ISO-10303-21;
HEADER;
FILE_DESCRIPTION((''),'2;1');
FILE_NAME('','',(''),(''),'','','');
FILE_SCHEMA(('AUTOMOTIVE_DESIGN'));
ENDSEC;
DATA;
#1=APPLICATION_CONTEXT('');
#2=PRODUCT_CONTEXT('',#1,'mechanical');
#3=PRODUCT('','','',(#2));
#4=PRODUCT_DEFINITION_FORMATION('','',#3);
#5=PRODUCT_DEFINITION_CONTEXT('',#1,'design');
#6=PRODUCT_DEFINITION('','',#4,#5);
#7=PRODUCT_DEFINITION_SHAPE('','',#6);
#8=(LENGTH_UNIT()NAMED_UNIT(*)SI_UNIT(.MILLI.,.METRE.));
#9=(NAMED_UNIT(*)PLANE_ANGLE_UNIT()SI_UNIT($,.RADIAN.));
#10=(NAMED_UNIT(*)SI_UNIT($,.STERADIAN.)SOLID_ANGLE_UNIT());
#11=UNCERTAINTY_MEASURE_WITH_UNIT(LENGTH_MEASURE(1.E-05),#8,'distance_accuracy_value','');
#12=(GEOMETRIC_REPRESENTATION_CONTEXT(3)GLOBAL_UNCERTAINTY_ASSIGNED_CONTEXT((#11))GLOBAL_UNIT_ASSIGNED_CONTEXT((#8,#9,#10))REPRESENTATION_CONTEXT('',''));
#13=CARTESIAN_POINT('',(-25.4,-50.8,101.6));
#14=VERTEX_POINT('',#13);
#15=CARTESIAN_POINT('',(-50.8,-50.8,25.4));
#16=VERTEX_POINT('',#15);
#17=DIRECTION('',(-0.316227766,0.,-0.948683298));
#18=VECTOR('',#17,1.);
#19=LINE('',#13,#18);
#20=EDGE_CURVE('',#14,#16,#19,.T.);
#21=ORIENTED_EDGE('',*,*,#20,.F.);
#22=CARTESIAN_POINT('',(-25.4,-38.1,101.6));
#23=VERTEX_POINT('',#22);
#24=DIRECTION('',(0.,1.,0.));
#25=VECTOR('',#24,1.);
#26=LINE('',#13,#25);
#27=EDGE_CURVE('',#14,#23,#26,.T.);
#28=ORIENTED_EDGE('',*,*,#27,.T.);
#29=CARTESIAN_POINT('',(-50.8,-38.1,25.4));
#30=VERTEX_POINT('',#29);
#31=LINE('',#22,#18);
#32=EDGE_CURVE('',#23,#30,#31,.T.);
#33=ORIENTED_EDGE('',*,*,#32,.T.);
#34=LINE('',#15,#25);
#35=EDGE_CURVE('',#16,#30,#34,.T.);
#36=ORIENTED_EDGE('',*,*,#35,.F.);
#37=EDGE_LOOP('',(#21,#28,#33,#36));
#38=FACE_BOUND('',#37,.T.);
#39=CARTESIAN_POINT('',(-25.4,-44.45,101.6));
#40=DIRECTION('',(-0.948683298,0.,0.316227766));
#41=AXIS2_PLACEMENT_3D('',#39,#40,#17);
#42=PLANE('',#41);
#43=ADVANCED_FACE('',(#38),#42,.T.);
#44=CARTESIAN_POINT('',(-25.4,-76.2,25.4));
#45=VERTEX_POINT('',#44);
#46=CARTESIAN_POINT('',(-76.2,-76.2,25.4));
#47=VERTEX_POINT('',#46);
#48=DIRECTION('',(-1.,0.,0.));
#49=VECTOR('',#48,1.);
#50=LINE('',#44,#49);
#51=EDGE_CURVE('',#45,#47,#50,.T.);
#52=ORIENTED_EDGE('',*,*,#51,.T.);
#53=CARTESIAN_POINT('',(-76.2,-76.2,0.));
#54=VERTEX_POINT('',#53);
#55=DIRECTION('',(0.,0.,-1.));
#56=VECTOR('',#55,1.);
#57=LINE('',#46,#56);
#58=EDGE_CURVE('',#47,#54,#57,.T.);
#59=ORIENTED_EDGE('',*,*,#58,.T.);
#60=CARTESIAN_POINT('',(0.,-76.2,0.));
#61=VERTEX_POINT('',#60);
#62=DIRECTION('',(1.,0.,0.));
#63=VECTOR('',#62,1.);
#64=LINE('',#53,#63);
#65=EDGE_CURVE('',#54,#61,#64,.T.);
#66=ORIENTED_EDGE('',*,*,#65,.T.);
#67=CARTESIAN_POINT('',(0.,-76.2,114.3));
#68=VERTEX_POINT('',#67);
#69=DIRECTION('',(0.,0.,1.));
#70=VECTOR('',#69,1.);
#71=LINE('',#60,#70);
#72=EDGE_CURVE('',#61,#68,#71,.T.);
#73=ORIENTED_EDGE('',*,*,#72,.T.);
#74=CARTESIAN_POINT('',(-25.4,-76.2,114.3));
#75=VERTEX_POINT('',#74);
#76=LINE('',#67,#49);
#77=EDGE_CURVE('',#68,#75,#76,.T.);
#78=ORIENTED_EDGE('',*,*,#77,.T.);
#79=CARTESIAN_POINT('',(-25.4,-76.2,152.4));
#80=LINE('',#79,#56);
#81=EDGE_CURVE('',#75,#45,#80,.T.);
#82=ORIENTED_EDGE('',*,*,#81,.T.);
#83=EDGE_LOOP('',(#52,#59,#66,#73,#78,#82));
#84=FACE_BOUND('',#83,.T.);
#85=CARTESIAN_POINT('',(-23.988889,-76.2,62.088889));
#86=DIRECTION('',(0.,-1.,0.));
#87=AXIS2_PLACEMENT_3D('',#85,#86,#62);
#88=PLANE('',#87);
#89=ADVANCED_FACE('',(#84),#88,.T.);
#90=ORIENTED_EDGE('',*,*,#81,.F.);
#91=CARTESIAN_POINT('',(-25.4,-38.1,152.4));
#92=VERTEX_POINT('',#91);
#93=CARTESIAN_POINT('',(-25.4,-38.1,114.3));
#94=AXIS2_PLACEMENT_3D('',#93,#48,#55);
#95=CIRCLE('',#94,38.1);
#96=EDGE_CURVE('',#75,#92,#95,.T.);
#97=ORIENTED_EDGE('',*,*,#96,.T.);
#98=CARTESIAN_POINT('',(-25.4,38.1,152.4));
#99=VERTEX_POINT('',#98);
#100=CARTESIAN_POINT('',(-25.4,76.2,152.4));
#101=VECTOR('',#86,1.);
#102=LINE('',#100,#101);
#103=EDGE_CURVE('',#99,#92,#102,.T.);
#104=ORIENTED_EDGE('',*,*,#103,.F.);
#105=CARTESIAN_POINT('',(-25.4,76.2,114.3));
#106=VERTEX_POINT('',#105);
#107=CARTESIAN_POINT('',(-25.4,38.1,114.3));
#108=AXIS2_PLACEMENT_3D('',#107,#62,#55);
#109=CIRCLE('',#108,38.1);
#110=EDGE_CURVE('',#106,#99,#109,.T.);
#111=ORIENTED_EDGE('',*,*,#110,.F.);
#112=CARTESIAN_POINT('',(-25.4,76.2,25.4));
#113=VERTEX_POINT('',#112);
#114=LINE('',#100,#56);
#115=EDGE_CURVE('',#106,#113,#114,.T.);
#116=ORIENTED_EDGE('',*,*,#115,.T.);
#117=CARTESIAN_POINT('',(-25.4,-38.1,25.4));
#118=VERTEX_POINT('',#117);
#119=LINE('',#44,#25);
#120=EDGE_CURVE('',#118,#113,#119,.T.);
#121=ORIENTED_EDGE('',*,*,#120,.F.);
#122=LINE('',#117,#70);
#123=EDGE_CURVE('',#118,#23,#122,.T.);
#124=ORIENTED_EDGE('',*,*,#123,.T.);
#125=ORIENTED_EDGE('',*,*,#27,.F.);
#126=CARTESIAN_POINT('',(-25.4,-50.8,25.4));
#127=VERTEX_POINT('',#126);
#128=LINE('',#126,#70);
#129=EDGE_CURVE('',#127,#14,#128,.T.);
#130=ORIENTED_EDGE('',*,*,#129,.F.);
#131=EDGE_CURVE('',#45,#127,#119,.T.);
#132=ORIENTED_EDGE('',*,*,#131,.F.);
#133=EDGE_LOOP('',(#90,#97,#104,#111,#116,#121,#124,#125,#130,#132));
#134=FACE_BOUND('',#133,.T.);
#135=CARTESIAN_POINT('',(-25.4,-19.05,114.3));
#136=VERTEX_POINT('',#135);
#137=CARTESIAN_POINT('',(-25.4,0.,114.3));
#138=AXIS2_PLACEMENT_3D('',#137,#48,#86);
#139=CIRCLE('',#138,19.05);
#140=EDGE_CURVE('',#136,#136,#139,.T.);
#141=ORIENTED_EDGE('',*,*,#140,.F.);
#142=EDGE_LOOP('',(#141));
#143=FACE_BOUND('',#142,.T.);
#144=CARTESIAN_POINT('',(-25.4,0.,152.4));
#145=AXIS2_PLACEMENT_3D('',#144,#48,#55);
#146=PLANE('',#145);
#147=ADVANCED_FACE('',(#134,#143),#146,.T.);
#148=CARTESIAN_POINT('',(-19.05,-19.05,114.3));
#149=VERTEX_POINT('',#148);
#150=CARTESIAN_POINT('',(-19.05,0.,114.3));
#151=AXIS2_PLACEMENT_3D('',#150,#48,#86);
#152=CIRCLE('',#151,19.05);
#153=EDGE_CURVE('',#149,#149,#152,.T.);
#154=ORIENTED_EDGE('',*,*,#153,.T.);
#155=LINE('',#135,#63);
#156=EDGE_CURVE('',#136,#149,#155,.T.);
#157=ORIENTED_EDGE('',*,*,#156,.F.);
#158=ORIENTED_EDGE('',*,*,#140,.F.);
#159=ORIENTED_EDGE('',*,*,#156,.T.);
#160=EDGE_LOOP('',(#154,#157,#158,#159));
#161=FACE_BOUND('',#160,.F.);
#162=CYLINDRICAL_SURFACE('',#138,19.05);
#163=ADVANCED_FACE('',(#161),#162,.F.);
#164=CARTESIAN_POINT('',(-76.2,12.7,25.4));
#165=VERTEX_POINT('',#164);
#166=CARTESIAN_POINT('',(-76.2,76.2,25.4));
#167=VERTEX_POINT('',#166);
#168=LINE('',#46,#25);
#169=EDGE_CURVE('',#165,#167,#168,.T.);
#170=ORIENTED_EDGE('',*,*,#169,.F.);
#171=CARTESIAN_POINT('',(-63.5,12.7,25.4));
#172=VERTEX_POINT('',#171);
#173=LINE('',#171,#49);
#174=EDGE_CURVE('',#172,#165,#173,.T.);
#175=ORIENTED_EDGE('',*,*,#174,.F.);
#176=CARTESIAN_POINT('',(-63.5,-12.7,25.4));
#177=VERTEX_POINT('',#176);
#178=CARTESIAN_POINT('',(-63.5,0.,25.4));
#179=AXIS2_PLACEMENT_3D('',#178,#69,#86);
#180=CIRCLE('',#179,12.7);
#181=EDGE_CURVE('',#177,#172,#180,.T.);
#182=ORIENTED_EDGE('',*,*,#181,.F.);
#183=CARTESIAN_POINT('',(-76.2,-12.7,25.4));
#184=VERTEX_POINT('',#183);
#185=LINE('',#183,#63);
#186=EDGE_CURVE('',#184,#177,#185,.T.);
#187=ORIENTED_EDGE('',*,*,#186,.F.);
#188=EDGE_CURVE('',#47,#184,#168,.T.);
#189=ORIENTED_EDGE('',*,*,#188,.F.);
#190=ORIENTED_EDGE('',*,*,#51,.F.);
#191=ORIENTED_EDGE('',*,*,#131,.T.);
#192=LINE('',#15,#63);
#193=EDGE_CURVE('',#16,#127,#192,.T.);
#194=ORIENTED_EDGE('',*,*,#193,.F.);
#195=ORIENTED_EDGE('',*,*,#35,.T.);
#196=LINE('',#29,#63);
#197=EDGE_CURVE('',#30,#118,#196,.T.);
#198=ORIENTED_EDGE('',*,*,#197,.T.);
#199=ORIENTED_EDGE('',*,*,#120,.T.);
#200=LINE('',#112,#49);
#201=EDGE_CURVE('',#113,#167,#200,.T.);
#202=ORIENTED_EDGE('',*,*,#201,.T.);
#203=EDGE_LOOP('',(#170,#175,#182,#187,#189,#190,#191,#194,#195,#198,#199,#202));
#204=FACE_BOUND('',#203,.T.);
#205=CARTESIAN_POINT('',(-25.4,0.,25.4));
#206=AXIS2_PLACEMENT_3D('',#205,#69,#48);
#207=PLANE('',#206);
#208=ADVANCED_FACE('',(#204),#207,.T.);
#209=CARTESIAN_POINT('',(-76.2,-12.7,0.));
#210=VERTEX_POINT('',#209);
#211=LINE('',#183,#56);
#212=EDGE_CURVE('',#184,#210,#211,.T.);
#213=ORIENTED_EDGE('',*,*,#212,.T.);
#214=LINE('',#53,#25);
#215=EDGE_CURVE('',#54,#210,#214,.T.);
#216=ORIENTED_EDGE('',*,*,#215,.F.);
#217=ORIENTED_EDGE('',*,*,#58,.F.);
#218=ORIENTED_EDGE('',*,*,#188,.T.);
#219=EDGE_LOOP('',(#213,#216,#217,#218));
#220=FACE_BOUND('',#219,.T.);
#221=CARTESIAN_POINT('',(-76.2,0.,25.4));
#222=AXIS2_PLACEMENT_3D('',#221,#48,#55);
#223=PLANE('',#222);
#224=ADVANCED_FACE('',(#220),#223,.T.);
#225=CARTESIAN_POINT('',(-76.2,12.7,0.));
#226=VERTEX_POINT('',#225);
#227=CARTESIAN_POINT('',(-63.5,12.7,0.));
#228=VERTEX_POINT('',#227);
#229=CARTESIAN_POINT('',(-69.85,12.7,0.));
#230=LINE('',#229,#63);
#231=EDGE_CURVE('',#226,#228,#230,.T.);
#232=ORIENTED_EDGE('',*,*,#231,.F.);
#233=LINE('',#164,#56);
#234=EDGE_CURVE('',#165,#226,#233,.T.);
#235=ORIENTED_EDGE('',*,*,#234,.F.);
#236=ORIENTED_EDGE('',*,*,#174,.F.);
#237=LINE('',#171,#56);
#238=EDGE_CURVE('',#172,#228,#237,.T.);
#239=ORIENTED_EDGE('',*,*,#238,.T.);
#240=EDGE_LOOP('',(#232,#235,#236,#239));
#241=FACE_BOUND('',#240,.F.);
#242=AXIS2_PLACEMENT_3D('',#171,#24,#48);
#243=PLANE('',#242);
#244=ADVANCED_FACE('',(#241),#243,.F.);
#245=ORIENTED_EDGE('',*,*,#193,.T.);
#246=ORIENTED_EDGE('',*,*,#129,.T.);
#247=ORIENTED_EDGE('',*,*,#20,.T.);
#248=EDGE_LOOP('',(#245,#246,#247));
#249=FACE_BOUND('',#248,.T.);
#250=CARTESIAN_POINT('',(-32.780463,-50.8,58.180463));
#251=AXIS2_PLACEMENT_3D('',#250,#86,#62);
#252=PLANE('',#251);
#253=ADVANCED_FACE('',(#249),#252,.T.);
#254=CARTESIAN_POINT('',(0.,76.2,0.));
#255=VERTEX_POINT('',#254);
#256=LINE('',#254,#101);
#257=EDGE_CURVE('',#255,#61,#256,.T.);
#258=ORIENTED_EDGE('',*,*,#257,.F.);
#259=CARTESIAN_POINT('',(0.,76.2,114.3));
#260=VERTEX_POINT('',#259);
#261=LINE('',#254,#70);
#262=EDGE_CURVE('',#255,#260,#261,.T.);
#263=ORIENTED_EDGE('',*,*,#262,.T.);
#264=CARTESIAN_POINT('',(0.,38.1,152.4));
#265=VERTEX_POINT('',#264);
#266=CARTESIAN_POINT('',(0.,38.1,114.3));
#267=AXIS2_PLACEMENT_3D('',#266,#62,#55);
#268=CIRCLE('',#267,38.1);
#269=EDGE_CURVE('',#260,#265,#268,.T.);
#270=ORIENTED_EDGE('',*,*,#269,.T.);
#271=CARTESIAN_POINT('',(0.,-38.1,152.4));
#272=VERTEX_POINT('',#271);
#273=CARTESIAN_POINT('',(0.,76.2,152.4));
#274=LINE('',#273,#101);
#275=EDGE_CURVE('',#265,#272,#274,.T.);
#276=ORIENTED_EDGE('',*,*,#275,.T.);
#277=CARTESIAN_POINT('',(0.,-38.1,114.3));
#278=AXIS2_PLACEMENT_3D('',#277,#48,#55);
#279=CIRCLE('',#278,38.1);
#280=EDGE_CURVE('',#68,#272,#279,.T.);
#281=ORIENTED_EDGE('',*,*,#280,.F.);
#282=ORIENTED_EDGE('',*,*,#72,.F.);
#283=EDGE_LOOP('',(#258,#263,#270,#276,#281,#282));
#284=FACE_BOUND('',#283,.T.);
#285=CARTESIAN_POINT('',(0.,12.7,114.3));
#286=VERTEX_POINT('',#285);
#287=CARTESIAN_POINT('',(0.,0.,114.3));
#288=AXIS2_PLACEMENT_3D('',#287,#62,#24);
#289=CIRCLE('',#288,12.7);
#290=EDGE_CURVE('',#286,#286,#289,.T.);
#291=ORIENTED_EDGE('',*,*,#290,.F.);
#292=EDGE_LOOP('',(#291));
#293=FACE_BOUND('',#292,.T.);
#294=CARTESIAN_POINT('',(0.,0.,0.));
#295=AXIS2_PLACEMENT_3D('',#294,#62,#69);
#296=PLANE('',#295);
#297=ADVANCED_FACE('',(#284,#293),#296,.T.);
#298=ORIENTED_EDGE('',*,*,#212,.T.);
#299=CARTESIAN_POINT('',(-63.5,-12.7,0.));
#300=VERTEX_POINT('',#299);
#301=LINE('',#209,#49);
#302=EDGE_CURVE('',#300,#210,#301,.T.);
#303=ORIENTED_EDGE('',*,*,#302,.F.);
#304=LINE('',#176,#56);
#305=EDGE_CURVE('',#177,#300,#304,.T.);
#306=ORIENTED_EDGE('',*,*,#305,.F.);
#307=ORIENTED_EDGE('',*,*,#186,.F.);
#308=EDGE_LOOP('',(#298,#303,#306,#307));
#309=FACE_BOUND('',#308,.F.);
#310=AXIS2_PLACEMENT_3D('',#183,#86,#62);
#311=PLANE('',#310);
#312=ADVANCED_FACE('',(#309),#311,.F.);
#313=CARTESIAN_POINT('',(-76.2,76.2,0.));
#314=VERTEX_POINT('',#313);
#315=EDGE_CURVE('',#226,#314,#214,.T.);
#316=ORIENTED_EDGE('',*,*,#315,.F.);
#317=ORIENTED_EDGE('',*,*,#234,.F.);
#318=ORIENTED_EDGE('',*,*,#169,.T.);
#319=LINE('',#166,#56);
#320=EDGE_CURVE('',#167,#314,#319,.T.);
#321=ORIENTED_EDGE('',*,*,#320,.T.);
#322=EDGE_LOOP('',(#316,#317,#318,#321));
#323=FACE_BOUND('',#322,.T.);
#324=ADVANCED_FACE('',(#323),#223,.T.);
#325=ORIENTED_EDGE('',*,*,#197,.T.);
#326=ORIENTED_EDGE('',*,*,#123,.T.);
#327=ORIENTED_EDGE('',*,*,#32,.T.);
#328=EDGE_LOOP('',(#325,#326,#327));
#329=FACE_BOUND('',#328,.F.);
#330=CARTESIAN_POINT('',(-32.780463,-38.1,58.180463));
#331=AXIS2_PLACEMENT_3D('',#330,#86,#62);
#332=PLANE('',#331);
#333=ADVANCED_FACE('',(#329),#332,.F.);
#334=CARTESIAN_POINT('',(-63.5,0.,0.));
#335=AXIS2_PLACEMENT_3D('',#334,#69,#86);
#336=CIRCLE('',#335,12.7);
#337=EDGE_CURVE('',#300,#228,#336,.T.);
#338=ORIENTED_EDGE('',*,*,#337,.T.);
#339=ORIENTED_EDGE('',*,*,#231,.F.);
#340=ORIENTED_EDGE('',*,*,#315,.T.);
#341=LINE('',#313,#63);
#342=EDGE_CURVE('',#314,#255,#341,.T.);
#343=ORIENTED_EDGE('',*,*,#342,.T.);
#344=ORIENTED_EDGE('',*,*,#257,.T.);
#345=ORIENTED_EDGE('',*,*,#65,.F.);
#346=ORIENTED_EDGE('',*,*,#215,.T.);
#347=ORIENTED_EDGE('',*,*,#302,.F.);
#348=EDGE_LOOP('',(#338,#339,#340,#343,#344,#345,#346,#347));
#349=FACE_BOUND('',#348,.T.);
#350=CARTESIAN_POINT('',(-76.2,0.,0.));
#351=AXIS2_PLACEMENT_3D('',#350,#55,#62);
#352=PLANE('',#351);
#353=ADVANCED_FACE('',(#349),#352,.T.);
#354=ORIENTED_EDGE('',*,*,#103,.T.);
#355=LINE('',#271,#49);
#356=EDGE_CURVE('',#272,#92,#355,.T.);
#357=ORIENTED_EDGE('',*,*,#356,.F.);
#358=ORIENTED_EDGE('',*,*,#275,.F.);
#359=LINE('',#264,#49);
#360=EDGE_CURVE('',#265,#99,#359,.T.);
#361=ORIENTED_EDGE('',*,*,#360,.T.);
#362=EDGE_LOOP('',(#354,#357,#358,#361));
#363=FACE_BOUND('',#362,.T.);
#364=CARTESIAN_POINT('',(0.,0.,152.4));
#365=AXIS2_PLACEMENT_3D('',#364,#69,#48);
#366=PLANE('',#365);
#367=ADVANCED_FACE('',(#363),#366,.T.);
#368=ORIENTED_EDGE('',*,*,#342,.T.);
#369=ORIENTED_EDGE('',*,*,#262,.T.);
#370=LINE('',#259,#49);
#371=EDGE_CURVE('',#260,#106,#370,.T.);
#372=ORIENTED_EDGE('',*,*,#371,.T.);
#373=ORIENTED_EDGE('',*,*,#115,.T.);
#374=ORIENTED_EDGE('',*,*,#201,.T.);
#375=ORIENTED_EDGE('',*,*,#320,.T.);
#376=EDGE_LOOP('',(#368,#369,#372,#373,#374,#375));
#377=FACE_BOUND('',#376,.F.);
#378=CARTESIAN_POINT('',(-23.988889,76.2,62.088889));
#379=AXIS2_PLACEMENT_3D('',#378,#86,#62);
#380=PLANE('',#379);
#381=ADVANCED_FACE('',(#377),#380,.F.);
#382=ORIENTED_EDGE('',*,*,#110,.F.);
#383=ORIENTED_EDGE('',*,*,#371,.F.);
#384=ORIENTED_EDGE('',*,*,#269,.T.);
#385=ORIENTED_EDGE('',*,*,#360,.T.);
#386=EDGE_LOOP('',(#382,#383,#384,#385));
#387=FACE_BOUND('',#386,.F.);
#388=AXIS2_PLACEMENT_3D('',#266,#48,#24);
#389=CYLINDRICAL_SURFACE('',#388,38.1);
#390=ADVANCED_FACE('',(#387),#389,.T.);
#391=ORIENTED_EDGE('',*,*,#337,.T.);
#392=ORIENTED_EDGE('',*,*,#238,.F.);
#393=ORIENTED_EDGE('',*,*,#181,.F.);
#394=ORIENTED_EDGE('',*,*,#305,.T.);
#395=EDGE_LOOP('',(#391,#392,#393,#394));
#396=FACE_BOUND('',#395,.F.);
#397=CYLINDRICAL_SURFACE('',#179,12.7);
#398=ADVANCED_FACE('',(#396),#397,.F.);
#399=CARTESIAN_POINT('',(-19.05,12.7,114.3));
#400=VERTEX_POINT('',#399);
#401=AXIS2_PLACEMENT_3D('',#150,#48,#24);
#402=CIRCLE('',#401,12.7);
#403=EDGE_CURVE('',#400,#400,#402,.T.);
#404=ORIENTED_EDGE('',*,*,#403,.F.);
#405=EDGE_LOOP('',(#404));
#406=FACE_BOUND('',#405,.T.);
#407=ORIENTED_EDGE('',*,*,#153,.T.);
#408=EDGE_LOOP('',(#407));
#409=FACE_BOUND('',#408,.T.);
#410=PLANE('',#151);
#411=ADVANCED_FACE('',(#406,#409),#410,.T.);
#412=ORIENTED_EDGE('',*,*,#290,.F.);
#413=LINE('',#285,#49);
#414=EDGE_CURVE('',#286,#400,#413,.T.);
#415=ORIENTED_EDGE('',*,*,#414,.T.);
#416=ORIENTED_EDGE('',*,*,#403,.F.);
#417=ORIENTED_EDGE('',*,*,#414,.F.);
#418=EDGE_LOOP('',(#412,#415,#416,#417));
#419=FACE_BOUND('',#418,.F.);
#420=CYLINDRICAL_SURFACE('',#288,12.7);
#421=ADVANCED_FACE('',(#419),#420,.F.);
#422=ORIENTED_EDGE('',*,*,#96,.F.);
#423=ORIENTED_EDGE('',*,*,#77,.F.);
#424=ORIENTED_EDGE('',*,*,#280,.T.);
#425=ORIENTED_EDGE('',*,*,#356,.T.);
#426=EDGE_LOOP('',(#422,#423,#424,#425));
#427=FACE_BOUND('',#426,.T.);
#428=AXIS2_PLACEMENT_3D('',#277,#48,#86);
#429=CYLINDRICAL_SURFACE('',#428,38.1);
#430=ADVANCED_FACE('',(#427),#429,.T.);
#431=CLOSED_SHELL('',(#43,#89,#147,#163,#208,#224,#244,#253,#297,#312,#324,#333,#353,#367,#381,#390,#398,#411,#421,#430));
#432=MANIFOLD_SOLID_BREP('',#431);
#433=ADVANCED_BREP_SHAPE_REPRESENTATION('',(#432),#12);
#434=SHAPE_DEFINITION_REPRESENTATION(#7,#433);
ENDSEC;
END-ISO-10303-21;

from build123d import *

# Parameters (mm, degrees)
F1_DEPTH  = 76.2
F2_R      = 12.7
F3_DEPTH  = 76.201
F5_DEPTH  = 25.401
F6_R      = 38.1
F7_R      = 19.05
F7_R_2    = 12.7
F8_DEPTH  = 6.35
F11_DEPTH = 6.35


with BuildPart() as f1:
    # F0 (on Front) → F1 (new body, symmetric)
    with BuildSketch(Plane.XZ):
        Polygon((-76.2, 0), (0, 0), (0, 152.4), (-25.4, 152.4), (-25.4, 25.4), (-76.2, 25.4), align=None)
    extrude(amount=F1_DEPTH, both=True)

    # F2 (on face) → F3 (cut, through all)
    with BuildSketch(Plane.YZ):
        with Locations((0, 114.3)):
            Circle(F2_R)
    extrude(amount=-F3_DEPTH, mode=Mode.SUBTRACT)

    # F4 (on face) → F5 (cut, through all)
    with BuildSketch(Plane.XY.offset(25.4)):
        with BuildLine():
            Line((-76.2, -12.7), (-63.5, -12.7))
            ThreePointArc((-63.5, -12.7), (-50.8, 0), (-63.5, 12.7))
            Line((-63.5, 12.7), (-76.2, 12.7))
            Line((-76.2, 12.7), (-76.2, -12.7))
        make_face()
    extrude(amount=-F5_DEPTH, mode=Mode.SUBTRACT)

    # F6
    f6_edges = [f1.edges().sort_by_distance(p)[0] for p in [
        (-12.7, -76.2, 152.4),
        (-12.7, 76.2, 152.4),
    ]]
    fillet(f6_edges, radius=F6_R)

    # F7 (on face) → F8 (cut)
    with BuildSketch(Plane(origin=(-25.4, 0, 0), x_dir=(0, -1, 0), z_dir=(-1, 0, 0))):
        with Locations((0, 114.3)):
            Circle(F7_R)
        with Locations((0, 114.3)):
            Circle(F7_R_2, mode=Mode.SUBTRACT)
    extrude(amount=-F8_DEPTH, mode=Mode.SUBTRACT)

    # F10 (on offset) → F11 (join, symmetric)
    with BuildSketch(Plane.XZ.offset(44.45)):
        Polygon((-50.8, 25.4), (-25.4, 25.4), (-25.4, 101.6), align=None)
    extrude(amount=F11_DEPTH, both=True)


solid = f1.part
